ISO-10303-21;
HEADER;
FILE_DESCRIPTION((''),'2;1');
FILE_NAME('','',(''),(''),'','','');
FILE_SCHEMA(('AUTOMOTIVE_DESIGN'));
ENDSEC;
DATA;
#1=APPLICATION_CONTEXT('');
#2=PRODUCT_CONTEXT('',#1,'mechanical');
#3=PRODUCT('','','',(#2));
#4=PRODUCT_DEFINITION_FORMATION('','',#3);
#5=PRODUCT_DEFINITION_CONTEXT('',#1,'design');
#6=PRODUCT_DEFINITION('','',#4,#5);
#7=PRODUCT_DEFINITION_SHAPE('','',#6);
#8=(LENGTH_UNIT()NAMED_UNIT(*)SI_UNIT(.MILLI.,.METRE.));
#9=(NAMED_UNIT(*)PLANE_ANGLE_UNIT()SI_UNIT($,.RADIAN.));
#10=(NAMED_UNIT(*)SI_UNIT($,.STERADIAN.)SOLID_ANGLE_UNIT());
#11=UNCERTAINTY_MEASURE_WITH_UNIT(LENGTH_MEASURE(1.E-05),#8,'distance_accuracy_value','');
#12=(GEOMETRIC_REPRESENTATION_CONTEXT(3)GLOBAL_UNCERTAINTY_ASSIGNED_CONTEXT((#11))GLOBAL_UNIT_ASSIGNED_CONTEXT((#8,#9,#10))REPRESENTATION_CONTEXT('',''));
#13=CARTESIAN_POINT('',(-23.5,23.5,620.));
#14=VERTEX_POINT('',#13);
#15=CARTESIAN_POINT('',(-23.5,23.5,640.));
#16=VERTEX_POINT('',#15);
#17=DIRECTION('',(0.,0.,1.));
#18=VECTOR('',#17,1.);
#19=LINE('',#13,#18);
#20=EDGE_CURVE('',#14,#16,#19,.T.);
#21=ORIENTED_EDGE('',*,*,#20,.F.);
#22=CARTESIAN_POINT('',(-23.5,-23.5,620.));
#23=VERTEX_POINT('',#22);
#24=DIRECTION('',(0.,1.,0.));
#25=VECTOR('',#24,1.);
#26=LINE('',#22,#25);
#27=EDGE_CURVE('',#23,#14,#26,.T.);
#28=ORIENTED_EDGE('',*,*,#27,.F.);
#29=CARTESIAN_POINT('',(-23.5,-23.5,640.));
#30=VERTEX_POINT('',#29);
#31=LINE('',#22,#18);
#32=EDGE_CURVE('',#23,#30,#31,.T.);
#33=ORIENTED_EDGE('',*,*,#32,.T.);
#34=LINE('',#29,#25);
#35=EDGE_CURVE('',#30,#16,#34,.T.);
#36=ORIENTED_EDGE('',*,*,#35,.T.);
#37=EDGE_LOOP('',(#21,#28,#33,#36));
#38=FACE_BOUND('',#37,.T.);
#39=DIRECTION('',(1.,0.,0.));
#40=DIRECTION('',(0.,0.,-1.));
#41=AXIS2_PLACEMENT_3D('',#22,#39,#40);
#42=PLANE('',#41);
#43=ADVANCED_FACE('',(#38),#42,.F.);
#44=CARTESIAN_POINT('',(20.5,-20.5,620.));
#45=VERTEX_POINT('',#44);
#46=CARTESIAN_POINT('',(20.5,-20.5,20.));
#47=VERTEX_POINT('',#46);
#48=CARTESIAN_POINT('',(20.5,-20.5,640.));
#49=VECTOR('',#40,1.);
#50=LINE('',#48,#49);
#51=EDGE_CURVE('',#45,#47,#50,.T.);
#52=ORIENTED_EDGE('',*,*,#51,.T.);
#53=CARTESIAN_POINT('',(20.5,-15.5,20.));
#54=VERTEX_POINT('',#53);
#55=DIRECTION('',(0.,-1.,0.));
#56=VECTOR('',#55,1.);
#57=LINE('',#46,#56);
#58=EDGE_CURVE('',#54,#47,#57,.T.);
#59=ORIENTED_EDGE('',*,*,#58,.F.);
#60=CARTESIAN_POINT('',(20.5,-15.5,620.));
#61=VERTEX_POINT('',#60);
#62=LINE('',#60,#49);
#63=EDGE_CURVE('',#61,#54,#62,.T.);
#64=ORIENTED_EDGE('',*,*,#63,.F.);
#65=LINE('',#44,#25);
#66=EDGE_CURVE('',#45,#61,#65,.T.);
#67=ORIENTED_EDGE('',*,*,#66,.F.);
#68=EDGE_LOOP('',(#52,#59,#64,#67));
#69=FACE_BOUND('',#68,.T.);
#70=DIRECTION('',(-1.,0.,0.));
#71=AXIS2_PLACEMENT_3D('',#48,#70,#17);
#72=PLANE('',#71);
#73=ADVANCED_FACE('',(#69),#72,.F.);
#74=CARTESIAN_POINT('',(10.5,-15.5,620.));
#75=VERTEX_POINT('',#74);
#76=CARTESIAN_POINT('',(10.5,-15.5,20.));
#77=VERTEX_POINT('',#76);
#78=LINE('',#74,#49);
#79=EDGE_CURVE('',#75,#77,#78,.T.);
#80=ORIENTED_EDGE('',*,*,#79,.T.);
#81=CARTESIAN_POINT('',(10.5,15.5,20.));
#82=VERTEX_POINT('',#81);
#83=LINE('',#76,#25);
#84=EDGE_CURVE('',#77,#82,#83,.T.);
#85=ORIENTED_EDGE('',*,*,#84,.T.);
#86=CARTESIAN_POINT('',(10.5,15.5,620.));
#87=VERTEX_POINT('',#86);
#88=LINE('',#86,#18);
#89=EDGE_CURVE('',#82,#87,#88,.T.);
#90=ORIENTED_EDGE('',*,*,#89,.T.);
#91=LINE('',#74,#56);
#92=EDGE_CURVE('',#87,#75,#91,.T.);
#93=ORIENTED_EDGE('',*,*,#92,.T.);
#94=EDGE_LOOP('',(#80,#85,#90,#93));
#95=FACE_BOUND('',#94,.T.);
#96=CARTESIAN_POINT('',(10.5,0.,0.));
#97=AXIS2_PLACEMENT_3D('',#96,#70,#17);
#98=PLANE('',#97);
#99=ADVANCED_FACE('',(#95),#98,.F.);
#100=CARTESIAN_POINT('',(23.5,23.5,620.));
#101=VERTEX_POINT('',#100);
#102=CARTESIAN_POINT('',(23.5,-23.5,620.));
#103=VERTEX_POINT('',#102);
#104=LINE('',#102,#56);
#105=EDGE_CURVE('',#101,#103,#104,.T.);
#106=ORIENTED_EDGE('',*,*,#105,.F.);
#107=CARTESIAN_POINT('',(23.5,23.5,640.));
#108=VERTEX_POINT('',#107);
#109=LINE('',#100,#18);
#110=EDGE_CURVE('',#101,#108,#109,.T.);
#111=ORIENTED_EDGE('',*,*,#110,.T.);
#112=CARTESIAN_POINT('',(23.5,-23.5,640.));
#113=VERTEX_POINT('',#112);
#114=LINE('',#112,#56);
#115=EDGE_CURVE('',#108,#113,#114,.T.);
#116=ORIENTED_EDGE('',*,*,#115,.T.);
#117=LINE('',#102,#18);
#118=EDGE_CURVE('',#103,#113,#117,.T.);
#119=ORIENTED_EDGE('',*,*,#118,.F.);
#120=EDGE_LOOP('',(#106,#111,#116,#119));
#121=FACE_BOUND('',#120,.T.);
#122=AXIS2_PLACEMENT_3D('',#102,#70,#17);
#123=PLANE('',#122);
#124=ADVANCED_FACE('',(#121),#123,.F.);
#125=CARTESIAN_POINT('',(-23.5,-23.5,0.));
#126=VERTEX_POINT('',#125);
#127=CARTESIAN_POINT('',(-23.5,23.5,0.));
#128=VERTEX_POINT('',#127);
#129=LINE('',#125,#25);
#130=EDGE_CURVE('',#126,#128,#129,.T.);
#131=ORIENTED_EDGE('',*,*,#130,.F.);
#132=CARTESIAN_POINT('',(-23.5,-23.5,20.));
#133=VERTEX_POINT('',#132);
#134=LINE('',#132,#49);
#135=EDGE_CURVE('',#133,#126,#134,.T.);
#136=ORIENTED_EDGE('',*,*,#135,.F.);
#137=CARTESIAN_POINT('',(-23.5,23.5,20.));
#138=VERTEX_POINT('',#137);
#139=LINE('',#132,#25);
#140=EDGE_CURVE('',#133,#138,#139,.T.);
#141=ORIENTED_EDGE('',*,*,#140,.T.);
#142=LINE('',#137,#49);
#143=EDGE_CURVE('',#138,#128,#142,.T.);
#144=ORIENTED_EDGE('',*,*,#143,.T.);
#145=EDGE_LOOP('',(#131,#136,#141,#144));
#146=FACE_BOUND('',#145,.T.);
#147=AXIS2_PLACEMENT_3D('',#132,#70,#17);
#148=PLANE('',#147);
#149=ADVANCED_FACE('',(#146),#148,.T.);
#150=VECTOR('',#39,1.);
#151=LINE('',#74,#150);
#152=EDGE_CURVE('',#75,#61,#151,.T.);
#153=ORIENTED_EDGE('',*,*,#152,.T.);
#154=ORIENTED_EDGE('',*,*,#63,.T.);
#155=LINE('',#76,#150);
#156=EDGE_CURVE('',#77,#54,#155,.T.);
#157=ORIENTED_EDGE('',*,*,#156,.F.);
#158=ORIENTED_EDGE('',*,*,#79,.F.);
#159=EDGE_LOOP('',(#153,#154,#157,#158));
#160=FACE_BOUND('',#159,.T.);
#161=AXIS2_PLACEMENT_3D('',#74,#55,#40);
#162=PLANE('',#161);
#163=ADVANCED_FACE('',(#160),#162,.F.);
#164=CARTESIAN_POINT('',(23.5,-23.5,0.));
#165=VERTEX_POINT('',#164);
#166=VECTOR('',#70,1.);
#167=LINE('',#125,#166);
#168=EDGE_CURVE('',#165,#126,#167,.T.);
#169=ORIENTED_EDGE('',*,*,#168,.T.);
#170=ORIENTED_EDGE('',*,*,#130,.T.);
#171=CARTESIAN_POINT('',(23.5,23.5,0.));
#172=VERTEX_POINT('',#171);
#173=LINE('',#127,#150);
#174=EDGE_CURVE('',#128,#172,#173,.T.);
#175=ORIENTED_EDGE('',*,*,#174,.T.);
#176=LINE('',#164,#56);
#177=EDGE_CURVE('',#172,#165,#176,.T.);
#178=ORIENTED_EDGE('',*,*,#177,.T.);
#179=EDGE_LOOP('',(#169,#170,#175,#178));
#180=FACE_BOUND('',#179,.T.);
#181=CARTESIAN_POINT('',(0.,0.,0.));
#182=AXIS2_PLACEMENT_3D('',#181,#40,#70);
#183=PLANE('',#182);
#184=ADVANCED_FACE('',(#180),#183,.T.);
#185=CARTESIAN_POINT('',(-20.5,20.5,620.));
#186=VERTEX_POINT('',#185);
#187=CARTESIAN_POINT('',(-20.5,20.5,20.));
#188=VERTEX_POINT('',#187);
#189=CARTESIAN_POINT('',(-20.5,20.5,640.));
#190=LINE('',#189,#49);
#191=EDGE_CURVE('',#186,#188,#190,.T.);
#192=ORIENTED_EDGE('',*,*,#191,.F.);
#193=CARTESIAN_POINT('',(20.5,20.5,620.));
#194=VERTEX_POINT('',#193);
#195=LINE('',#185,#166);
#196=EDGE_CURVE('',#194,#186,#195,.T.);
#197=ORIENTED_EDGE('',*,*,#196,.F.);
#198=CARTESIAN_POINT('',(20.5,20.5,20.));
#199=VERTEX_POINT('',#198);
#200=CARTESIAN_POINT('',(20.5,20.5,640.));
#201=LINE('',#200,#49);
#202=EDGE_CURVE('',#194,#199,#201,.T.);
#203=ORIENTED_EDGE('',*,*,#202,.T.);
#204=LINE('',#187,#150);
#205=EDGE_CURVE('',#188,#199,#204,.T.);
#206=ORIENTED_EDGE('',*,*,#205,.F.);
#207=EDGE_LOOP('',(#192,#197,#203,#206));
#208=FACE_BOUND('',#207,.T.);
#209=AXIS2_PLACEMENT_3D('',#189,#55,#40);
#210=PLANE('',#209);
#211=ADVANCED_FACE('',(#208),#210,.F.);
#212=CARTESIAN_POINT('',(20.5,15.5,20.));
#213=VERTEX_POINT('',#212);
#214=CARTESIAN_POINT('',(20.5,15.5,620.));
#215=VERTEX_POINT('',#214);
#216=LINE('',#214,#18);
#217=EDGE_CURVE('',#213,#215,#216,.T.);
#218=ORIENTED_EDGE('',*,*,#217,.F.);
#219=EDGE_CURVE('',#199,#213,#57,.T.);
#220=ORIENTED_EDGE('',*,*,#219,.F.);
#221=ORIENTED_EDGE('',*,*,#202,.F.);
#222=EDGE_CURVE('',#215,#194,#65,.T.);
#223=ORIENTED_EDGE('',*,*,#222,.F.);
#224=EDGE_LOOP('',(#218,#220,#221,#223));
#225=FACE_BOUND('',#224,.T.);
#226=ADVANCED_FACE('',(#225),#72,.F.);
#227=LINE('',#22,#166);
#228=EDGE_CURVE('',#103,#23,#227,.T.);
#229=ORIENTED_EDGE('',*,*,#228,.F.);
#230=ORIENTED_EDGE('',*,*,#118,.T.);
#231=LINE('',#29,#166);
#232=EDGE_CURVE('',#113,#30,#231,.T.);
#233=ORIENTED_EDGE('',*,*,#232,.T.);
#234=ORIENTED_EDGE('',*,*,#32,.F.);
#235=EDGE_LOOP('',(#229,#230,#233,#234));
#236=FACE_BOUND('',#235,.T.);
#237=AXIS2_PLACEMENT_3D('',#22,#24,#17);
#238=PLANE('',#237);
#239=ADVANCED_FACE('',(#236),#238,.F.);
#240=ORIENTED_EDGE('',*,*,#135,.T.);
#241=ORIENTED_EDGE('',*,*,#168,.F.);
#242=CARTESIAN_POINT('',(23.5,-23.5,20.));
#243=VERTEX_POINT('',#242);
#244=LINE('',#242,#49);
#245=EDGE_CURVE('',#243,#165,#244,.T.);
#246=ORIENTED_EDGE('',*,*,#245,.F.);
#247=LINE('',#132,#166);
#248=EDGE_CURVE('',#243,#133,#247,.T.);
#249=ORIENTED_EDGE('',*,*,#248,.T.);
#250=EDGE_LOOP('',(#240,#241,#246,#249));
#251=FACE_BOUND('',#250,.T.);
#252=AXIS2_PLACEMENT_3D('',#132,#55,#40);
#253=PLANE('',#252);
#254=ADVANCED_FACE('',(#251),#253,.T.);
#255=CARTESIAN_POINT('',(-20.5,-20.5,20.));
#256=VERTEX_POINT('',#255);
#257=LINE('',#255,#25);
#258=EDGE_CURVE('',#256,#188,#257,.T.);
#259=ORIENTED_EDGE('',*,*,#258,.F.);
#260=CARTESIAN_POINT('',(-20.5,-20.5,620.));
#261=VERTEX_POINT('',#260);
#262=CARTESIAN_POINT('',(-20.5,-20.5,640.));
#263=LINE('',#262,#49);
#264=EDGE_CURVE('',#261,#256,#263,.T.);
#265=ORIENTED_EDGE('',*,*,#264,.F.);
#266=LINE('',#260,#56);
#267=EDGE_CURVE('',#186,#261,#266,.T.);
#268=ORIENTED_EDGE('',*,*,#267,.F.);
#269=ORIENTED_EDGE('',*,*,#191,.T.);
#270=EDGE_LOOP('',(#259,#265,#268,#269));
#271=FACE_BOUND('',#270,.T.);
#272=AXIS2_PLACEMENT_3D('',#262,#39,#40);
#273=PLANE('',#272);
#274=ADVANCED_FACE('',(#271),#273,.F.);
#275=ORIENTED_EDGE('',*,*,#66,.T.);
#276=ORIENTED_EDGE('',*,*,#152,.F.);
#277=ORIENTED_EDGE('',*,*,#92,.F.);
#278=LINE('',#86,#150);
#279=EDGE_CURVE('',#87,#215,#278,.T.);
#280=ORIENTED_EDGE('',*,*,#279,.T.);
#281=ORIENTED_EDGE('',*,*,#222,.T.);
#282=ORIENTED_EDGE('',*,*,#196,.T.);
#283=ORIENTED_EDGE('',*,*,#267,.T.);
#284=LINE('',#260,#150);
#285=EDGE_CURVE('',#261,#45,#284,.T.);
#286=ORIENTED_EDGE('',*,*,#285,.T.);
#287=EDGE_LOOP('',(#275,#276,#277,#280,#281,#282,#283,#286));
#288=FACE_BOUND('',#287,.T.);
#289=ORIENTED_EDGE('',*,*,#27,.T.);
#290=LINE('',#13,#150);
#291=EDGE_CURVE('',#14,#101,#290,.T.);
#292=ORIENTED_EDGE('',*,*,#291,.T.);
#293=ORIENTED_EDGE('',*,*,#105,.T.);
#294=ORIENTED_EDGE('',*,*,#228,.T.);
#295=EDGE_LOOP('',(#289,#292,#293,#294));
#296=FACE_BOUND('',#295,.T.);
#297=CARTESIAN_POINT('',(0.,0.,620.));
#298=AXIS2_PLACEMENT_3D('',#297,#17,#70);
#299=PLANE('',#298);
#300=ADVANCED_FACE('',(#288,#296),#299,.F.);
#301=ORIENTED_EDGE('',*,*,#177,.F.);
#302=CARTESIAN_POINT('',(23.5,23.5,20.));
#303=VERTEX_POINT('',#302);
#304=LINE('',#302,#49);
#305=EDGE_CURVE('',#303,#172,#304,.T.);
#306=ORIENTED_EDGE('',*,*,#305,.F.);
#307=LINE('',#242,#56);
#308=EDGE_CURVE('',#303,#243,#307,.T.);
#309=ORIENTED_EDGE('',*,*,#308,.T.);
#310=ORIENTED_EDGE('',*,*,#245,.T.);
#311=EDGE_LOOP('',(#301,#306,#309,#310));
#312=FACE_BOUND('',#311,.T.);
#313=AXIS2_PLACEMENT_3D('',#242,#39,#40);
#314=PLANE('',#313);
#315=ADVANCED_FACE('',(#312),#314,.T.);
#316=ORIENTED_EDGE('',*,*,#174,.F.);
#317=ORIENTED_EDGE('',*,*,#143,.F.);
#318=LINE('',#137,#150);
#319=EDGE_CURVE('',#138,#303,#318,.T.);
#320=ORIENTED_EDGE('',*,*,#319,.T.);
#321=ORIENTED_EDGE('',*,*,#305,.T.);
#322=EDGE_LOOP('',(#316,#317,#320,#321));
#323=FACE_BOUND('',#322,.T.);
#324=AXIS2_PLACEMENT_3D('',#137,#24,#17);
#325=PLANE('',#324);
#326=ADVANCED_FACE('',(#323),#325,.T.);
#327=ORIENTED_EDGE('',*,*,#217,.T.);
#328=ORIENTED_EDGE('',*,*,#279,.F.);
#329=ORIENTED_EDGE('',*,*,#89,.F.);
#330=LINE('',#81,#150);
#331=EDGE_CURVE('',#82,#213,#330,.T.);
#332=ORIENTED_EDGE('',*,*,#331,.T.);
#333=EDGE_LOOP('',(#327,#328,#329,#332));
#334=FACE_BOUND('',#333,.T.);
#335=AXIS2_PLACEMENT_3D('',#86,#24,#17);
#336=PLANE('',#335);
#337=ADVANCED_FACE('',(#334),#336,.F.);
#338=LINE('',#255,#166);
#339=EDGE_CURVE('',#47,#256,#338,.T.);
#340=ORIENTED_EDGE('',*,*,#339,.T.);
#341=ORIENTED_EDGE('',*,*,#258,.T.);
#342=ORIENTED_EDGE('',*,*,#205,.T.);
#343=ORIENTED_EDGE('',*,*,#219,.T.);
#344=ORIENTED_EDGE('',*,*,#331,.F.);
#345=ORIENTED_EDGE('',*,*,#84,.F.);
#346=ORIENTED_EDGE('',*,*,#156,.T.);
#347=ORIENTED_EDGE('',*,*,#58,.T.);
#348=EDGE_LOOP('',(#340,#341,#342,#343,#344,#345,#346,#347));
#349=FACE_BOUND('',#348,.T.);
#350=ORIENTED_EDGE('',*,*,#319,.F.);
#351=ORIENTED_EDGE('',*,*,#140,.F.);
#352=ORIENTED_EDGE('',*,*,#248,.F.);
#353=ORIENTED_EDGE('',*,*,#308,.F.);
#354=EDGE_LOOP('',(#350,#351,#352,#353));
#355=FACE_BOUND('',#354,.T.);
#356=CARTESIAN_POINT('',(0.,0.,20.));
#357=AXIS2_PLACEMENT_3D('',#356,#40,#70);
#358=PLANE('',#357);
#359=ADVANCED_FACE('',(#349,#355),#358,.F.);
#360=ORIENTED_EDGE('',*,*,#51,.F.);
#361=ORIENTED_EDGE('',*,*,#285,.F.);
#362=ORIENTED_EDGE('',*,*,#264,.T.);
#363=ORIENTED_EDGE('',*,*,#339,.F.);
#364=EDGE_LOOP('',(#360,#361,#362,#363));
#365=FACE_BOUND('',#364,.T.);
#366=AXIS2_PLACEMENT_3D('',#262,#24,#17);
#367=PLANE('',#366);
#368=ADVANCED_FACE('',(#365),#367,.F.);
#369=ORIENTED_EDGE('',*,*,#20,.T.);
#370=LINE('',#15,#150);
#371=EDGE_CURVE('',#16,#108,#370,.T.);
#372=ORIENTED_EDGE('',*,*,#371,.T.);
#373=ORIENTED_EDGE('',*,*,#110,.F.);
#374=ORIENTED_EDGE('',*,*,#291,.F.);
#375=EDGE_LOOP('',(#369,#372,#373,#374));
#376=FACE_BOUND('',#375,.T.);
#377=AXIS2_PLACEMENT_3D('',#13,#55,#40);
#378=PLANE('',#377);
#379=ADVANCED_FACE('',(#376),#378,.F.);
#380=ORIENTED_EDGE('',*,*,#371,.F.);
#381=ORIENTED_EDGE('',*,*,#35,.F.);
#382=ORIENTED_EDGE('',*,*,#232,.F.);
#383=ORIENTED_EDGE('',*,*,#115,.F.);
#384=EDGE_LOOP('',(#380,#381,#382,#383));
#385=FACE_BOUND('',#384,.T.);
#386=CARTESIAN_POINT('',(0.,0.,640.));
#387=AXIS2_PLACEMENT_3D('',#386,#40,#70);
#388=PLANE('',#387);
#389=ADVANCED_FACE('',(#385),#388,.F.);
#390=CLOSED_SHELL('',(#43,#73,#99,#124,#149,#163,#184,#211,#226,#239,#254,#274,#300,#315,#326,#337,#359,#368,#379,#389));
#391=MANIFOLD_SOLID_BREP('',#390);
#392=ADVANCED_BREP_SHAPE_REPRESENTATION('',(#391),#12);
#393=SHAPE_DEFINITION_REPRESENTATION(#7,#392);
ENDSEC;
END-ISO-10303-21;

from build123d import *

# Parameters (mm, degrees)
SKETCH1_W           = 41
SKETCH1_H           = 41
BOSS_EXTRUDE1_DEPTH = 640
SKETCH2_W           = 47
SKETCH2_H           = 47
BOSS_EXTRUDE2_DEPTH = 20
SKETCH3_W           = 600
SKETCH3_H           = 31
CUT_EXTRUDE1_DEPTH  = 10


with BuildPart() as part:
    # Sketch1 → Boss-Extrude1 (new body)
    with BuildSketch(Plane.XY):
        Rectangle(SKETCH1_W, SKETCH1_H)
    extrude(amount=BOSS_EXTRUDE1_DEPTH)

    # Sketch2 → Boss-Extrude2 (add)
    with BuildSketch(Plane(origin=(0, 0, 0), x_dir=(-1, 0, 0), z_dir=(0, 0, -1))):
        Rectangle(SKETCH2_W, SKETCH2_H)
    boss_extrude2 = extrude(amount=-BOSS_EXTRUDE2_DEPTH)

    # Mirror1: Boss-Extrude2 across plane
    add(boss_extrude2.mirror(Plane(origin=(0, 0, 320), x_dir=(1, 0, 0), z_dir=(0, 0, -1))))

    # Sketch3 → Cut-Extrude1 (cut)
    with BuildSketch(Plane(origin=(20.5, 0, 0), x_dir=(0, 0, -1), z_dir=(1, 0, 0))):
        with Locations((-320, 0)):
            Rectangle(SKETCH3_W, SKETCH3_H)
    extrude(amount=-CUT_EXTRUDE1_DEPTH, mode=Mode.SUBTRACT)


solid = part.part
